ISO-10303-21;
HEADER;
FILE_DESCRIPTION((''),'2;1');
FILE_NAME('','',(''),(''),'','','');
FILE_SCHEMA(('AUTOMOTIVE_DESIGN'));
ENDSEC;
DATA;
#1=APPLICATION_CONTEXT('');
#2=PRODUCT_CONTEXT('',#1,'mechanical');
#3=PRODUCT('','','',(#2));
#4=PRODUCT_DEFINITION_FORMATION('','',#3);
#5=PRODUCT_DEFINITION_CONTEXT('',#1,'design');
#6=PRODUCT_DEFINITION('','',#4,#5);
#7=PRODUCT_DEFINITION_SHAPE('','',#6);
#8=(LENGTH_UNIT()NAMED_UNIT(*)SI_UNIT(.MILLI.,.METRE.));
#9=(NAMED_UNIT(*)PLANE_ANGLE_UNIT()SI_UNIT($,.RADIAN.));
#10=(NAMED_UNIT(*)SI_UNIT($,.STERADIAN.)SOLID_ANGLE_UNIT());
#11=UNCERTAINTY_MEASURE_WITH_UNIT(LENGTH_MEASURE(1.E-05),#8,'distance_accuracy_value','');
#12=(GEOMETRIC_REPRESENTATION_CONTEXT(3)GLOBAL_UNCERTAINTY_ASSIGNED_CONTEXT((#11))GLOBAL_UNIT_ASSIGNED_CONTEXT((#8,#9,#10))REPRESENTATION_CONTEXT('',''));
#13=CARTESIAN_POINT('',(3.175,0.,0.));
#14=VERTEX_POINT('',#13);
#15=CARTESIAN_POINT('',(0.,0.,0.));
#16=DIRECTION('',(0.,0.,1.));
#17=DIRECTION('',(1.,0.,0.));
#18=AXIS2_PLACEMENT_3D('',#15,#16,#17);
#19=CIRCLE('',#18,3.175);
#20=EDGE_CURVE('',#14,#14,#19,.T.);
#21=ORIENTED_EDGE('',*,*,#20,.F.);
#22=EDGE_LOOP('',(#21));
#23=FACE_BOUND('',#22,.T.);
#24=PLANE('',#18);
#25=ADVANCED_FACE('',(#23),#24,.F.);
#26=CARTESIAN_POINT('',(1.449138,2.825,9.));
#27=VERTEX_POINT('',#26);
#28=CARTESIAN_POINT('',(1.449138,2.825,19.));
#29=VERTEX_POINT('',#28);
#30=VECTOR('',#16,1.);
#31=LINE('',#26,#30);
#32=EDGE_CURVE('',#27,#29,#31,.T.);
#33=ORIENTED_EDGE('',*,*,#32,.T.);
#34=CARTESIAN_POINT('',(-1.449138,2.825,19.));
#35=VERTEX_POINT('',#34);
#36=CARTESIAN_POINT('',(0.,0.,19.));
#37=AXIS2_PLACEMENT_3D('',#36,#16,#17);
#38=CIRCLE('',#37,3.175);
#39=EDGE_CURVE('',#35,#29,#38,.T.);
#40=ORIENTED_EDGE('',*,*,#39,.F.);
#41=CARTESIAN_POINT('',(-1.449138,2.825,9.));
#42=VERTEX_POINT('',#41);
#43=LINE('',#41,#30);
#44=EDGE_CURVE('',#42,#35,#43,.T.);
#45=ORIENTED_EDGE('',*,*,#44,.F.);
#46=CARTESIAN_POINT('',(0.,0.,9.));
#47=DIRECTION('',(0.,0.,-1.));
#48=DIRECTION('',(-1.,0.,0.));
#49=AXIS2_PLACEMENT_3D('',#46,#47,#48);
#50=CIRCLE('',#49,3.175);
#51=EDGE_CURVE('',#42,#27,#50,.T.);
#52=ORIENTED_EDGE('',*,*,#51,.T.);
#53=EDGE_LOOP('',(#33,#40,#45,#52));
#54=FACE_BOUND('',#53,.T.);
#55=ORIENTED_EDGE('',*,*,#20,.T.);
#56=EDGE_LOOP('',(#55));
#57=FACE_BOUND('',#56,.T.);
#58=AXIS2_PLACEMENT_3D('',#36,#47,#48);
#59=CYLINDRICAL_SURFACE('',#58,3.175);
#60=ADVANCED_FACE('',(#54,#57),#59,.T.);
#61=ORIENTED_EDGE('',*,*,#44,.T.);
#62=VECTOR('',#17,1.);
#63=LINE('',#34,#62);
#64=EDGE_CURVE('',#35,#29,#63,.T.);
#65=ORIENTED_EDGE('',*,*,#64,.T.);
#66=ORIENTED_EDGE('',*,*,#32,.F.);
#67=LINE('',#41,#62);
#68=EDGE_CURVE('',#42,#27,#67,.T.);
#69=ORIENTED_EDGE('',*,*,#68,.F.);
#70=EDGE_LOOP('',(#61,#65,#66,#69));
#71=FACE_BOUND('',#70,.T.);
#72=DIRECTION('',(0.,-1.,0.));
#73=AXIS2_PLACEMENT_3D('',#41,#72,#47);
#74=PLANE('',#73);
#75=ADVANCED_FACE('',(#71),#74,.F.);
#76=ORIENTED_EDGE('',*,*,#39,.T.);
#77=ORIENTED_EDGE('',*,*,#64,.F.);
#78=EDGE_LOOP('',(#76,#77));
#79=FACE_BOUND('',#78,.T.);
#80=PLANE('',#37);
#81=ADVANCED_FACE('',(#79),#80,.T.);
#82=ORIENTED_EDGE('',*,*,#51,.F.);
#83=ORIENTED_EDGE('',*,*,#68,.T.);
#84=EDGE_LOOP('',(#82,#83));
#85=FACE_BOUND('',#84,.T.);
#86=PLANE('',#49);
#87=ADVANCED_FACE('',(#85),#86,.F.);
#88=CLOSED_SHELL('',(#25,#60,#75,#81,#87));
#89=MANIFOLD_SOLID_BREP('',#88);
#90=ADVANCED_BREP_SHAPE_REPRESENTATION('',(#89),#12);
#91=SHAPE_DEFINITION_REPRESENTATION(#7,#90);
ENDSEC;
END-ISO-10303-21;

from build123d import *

# Parameters (mm, degrees)
SKETCH1_R           = 3.175
BOSS_EXTRUDE1_DEPTH = 19
SKETCH2_W           = 2.89827535
SKETCH2_H           = 0.35
CUT_EXTRUDE1_DEPTH  = 10


with BuildPart() as part:
    # Sketch1 → Boss-Extrude1 (new body)
    with BuildSketch(Plane.XY):
        Circle(SKETCH1_R)
    extrude(amount=BOSS_EXTRUDE1_DEPTH)

    # Sketch2 → Cut-Extrude1 (cut)
    with BuildSketch(Plane.XY.offset(19)):
        with Locations((0, 3)):
            Rectangle(SKETCH2_W, SKETCH2_H)
    extrude(amount=-CUT_EXTRUDE1_DEPTH, mode=Mode.SUBTRACT)


solid = part.part
